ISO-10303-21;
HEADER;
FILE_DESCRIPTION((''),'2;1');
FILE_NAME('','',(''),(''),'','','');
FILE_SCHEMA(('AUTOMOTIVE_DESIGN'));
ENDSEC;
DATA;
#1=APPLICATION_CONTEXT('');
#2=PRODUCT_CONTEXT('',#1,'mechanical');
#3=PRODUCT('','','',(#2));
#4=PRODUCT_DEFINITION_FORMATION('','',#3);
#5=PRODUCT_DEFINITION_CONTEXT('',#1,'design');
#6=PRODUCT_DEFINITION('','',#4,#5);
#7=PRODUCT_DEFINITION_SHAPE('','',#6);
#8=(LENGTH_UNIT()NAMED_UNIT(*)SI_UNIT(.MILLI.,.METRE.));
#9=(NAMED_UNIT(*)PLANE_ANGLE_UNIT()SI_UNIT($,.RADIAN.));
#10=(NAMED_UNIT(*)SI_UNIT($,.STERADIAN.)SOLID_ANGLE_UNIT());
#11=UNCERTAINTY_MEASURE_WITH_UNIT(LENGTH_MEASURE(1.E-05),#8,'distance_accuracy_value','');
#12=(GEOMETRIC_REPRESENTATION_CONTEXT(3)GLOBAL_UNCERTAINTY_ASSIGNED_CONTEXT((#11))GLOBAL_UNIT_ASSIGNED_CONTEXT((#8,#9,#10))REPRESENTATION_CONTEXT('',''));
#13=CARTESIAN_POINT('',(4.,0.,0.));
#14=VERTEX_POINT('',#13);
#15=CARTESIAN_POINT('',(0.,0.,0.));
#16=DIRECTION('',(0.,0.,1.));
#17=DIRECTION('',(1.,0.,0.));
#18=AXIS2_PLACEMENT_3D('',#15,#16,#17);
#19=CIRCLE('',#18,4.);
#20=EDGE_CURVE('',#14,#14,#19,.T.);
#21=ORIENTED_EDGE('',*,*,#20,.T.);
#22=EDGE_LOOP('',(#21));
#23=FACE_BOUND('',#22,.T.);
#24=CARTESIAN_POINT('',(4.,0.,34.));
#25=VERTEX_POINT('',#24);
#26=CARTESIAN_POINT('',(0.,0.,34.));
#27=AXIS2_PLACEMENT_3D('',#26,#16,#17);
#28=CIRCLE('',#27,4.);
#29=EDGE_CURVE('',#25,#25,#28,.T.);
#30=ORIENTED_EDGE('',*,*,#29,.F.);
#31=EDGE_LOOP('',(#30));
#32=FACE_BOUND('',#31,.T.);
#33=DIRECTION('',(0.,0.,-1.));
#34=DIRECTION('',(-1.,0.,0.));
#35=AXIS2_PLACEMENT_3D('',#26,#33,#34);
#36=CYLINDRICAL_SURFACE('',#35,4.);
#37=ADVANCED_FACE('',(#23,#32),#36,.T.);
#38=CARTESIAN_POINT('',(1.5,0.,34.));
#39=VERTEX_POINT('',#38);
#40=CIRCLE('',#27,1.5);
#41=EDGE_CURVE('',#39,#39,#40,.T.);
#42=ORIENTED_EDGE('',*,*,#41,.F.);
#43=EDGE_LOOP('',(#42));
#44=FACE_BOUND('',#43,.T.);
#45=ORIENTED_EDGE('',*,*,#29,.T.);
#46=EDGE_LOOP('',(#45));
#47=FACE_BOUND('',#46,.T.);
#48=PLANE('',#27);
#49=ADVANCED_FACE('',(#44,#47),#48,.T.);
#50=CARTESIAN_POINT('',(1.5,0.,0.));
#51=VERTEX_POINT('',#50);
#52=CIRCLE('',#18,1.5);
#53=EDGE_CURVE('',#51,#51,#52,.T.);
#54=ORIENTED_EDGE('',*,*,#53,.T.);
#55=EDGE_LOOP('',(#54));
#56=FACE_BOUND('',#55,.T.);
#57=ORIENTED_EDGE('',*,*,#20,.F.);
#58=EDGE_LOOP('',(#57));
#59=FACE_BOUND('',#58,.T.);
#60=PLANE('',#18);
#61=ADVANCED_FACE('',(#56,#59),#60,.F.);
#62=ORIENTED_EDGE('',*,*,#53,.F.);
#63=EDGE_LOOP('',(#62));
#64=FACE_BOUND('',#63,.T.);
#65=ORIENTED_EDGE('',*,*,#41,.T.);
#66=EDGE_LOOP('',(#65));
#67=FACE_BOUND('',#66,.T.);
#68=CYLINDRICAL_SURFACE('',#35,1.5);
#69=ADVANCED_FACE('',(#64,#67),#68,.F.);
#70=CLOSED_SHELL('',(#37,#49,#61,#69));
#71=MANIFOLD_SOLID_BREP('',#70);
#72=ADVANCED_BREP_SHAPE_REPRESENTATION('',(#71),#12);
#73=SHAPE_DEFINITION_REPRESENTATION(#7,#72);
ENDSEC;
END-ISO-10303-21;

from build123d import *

# Parameters (mm, degrees)
SKETCH_1_R      = 4
SKETCH_1_R_2    = 1.5
EXTRUDE_1_DEPTH = 34


with BuildPart() as part:
    # Эскиз1 → Бобышка-Вытянуть1 (new body)
    with BuildSketch(Plane.XY):
        Circle(SKETCH_1_R)
        Circle(SKETCH_1_R_2, mode=Mode.SUBTRACT)
    extrude(amount=EXTRUDE_1_DEPTH)


solid = part.part
